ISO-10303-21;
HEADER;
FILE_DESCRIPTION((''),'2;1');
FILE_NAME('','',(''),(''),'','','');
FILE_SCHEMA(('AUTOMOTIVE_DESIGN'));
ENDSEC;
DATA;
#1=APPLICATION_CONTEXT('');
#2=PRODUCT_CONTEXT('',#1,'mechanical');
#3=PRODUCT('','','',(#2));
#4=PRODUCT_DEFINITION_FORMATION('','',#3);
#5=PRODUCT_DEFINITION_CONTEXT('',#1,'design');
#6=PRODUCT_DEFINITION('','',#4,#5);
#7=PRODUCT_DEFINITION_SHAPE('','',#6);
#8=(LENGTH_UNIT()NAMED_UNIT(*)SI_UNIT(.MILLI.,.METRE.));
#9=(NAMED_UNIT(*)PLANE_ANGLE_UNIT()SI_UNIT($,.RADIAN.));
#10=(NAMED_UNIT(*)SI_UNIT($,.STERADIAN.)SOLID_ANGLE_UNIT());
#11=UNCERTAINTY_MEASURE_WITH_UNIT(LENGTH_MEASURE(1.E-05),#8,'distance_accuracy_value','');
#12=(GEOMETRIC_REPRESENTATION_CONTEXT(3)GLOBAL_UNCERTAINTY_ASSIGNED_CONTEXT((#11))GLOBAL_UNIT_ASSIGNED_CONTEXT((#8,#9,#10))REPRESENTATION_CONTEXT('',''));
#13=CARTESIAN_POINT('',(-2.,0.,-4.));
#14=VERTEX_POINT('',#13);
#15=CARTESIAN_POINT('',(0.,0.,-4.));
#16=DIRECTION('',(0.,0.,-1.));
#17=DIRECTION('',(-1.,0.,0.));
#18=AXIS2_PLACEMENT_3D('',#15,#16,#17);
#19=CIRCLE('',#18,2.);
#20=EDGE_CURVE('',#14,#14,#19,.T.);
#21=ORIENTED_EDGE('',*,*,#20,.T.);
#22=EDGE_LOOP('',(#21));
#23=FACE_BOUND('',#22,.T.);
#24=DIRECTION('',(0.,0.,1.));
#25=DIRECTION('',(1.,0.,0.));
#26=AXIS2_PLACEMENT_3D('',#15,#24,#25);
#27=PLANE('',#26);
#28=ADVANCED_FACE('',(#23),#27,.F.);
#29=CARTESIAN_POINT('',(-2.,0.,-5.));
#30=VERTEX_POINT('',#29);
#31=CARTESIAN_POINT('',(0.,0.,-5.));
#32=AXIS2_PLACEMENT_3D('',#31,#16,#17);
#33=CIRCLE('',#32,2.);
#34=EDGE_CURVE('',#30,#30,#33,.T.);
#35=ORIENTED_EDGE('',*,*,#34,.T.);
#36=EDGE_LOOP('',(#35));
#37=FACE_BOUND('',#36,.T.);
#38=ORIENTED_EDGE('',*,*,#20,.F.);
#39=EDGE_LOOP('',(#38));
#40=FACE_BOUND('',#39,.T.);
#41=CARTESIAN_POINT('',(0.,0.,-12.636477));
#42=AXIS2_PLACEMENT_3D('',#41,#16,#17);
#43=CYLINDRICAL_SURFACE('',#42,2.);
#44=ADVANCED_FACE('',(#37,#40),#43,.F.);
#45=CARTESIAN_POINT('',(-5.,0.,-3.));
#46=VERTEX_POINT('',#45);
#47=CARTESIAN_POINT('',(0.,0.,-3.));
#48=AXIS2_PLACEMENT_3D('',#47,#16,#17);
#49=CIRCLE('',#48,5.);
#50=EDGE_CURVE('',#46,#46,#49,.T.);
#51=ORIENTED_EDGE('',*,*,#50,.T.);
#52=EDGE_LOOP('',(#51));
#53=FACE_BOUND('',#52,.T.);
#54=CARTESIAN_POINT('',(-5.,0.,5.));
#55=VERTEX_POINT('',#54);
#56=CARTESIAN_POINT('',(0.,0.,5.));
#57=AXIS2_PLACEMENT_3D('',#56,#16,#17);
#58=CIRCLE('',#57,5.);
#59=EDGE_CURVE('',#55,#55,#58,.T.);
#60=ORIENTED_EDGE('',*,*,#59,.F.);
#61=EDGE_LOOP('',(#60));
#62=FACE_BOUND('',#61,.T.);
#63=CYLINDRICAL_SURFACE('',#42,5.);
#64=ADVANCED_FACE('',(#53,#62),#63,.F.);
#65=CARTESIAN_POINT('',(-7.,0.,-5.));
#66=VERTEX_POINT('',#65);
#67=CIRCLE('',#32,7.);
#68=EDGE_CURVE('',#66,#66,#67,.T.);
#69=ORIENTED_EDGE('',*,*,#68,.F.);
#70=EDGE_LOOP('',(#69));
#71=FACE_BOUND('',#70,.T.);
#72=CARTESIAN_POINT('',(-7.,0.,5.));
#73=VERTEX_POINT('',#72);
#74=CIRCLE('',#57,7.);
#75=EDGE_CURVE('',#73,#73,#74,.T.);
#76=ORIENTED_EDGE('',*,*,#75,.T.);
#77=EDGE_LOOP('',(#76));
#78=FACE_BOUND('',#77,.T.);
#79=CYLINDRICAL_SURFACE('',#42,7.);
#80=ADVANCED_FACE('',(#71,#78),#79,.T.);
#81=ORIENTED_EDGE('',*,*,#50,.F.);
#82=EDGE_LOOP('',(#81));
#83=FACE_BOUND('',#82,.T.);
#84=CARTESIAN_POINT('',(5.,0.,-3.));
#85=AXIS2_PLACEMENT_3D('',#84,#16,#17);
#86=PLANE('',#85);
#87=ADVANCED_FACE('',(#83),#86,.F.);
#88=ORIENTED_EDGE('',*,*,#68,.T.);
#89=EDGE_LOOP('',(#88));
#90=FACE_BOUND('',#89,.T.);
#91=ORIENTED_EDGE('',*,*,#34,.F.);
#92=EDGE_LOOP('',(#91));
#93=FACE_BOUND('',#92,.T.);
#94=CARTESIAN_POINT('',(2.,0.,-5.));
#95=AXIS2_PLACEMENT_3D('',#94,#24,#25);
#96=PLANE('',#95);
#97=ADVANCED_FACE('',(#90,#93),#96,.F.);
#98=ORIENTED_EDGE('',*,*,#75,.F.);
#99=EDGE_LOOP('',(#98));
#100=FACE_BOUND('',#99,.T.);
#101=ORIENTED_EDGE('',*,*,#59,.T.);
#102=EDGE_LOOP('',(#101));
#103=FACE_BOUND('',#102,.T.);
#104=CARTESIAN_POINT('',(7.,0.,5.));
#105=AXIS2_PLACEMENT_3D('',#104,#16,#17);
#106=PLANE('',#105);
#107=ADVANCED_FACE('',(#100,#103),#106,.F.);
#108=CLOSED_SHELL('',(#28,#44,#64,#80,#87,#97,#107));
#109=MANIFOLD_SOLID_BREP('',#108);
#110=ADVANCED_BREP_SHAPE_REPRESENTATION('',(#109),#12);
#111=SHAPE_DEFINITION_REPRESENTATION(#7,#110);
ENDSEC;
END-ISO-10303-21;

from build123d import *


with BuildPart() as part:
    # Sketch1 → Revolve1 (revolve)
    with BuildSketch(Plane(origin=(0, 0, 0), x_dir=(1, 0, 0), z_dir=(0, 1, 0))):
        Polygon((0, 4), (2, 4), (2, 5), (7, 5), (7, -5), (5, -5), (5, 3), (0, 3), align=None)
    revolve(axis=Axis((0, 0, -12.63647662), (0, 0, 1)))


solid = part.part
